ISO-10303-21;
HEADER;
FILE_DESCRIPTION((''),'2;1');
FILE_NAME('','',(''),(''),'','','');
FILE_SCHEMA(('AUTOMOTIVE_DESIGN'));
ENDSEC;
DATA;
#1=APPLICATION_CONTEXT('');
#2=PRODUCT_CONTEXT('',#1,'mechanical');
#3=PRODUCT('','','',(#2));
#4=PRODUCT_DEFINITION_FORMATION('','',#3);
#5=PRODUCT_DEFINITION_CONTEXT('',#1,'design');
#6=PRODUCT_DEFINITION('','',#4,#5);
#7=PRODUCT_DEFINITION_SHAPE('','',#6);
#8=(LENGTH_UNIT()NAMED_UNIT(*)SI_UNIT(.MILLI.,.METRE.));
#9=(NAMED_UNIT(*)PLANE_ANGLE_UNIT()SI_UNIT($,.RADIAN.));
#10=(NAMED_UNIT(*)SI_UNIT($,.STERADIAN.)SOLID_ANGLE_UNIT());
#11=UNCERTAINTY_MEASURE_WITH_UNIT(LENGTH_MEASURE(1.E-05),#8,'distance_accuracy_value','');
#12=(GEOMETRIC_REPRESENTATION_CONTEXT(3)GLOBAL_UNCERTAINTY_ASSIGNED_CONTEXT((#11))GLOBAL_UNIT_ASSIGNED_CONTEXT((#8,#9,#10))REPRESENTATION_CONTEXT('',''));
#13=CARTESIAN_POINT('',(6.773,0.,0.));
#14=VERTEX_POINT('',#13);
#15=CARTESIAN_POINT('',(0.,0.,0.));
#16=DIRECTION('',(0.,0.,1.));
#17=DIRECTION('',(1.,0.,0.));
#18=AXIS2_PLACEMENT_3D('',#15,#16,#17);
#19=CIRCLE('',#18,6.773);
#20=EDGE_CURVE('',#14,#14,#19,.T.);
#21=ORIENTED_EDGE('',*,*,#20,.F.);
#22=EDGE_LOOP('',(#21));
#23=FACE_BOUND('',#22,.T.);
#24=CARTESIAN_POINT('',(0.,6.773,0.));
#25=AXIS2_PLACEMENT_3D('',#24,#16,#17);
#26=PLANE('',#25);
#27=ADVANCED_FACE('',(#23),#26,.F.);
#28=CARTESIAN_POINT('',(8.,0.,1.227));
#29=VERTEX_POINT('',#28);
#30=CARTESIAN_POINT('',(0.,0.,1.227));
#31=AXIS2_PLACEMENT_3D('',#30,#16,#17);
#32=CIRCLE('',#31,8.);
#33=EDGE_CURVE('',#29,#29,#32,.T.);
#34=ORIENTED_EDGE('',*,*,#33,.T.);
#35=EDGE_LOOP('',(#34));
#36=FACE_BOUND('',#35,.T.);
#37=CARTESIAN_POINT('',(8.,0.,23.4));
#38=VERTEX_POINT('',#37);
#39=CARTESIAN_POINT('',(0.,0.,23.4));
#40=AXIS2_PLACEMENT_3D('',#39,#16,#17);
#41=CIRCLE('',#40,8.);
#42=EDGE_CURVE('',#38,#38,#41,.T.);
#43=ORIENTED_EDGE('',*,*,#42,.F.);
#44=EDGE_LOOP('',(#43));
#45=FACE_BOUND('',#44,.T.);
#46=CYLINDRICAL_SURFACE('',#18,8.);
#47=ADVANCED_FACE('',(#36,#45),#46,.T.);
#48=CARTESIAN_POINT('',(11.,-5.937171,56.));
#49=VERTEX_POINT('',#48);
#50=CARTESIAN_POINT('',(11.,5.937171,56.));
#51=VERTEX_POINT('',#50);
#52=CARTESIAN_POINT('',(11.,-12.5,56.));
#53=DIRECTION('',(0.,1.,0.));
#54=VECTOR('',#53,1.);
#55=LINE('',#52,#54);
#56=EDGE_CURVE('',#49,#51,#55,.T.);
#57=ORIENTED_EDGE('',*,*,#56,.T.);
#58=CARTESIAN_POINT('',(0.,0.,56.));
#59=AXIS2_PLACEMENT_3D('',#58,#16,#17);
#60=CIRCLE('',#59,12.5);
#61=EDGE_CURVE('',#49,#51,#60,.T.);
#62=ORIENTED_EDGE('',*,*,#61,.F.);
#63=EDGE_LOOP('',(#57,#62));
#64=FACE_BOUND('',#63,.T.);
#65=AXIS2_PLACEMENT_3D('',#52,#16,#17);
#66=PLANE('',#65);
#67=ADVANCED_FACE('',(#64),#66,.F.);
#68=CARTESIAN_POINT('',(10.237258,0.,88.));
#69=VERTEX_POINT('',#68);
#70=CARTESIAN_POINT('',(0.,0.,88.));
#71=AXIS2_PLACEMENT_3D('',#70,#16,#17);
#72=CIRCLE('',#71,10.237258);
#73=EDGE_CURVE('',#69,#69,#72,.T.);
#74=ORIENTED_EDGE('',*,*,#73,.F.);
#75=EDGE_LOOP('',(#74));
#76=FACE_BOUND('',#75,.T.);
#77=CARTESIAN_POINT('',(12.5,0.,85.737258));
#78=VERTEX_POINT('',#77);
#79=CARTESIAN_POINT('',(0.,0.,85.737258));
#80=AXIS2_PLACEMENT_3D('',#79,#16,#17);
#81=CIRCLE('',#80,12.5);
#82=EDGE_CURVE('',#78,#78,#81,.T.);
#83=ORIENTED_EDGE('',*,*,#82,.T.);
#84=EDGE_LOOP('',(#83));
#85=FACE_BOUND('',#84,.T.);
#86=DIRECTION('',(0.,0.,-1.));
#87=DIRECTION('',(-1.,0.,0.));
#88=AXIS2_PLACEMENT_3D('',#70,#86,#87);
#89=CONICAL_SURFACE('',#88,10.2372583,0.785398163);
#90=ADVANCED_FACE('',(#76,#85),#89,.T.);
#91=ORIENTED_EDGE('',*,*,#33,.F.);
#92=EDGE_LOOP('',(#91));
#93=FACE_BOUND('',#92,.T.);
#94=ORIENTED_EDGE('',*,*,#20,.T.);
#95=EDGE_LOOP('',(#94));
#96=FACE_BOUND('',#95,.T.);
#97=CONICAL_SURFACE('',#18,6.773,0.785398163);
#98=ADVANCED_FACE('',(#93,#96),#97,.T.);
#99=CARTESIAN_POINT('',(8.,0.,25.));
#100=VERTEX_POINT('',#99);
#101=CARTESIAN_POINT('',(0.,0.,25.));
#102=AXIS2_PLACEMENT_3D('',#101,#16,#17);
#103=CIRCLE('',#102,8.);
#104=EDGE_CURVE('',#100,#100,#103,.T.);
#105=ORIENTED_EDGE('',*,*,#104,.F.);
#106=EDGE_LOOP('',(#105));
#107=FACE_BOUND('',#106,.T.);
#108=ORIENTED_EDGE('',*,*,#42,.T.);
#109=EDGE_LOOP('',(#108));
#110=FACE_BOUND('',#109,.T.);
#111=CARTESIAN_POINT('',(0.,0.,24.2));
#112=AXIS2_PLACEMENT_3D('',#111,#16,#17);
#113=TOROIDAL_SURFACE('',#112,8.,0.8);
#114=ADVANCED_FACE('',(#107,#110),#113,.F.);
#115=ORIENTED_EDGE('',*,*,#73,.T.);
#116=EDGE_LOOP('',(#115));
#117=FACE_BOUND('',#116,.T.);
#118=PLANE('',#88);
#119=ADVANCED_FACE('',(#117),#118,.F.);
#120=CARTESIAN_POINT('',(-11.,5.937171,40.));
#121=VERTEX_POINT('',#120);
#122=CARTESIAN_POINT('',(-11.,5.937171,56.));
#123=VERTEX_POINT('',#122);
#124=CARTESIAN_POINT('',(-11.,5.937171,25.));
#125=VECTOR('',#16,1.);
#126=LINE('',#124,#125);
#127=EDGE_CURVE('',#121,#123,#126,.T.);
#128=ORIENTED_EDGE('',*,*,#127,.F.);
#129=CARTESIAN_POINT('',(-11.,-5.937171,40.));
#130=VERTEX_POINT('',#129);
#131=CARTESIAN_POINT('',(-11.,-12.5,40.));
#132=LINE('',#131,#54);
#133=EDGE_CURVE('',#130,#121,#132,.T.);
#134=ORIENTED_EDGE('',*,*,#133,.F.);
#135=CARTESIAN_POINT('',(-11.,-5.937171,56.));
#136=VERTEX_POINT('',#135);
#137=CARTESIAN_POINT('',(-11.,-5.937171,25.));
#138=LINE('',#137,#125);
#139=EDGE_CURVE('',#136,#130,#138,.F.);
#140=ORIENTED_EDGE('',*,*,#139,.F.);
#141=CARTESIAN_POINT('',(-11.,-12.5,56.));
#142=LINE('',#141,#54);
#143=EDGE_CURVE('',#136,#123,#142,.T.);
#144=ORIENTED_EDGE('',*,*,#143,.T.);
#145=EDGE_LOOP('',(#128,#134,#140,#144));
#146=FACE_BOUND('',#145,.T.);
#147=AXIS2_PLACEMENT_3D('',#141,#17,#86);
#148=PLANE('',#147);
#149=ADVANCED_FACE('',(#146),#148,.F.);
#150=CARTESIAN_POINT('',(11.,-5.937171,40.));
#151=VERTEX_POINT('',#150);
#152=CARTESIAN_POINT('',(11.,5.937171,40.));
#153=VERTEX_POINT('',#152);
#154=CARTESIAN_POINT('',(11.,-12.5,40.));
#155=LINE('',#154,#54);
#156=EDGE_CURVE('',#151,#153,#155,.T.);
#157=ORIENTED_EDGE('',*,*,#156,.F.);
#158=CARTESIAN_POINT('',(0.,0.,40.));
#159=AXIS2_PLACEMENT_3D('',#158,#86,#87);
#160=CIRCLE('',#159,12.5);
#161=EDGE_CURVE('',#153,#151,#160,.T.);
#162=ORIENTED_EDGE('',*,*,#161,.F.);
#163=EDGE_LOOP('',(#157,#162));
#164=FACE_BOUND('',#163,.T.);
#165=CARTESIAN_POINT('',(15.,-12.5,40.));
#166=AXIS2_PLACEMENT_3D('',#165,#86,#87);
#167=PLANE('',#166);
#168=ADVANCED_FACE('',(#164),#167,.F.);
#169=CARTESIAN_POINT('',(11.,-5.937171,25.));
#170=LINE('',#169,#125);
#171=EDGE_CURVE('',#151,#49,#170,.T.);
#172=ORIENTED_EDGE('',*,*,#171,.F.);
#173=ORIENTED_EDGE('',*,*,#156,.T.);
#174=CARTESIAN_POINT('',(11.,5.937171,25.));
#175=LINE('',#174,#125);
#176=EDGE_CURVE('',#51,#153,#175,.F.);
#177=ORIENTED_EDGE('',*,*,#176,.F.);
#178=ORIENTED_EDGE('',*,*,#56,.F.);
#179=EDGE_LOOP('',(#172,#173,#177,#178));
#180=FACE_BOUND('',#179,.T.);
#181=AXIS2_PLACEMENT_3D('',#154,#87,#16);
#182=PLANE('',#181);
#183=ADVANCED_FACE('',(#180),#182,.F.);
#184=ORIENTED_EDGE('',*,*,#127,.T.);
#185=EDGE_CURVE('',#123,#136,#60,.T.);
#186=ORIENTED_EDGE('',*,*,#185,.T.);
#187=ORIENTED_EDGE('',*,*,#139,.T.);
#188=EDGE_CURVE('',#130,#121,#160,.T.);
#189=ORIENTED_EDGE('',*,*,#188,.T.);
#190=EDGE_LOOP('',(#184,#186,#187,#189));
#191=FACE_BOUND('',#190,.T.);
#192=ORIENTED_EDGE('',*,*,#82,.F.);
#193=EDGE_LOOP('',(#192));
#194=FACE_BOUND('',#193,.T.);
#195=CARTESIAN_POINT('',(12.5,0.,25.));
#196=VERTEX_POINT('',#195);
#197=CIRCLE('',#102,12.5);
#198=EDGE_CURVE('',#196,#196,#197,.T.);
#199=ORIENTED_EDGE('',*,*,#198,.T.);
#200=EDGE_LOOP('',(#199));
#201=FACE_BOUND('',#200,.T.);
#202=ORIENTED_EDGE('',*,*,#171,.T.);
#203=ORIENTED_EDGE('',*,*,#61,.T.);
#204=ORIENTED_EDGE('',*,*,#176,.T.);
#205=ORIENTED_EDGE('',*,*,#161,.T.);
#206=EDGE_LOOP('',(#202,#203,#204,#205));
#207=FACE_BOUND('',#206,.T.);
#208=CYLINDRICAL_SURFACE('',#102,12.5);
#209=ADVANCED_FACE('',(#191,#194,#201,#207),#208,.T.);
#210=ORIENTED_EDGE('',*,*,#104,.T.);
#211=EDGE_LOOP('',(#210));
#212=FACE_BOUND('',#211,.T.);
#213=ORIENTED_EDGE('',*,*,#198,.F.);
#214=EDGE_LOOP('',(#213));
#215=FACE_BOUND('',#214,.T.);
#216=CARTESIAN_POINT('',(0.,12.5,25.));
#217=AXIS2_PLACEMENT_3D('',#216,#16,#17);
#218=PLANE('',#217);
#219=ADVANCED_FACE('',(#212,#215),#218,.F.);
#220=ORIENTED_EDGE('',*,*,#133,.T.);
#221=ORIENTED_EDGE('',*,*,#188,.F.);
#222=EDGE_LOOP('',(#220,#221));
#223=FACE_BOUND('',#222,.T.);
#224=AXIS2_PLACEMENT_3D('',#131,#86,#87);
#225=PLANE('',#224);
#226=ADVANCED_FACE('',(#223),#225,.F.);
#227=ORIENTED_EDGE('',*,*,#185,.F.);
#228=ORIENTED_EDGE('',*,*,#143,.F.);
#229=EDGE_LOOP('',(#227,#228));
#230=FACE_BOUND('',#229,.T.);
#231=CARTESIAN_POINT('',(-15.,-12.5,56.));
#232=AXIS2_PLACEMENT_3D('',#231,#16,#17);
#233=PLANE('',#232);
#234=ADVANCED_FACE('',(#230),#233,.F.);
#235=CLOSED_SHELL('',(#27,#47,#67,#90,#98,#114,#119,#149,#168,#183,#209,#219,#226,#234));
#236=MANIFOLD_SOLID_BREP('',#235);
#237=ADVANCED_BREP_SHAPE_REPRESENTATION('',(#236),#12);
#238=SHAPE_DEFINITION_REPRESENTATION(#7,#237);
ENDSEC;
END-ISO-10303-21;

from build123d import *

# Parameters (mm, degrees)
SZKIC4_W                        = 63
SZKIC4_H                        = 12.5
WYTNIJ_WYCI_GNI_CIE1_DEPTH      = 12.5
WYTNIJ_WYCI_GNI_CIE1_DEPTH_BACK = 12.5
SZKIC1_W                        = 4
SZKIC1_H                        = 16
WYTNIJ_WYCI_GNI_CIE2_DEPTH      = 12.5
WYTNIJ_WYCI_GNI_CIE2_DEPTH_BACK = 12.5
SZKIC2_W                        = 4
SZKIC2_H                        = 16


with BuildPart() as part:
    # Szkic3 → Obrót1 (revolve)
    with BuildSketch(Plane(origin=(0, 0, 0), x_dir=(0, 0, -1), z_dir=(1, 0, 0))):
        Polygon((-25, 0), (-25, 8), (-1.227, 8), (0, 6.773), (0, 0), align=None)
    revolve(axis=Axis((0, 0, 0), (0, 0, 1)))

    # Szkic4 → Obrót2 (revolve)
    with BuildSketch(Plane(origin=(0, 0, 0), x_dir=(0, 0, -1), z_dir=(1, 0, 0))):
        with Locations((-56.5, 6.25)):
            Rectangle(SZKIC4_W, SZKIC4_H)
    revolve(axis=Axis((0, 0, 25), (0, 0, 1)))

    # Szkic5 → Wycięcie-obrót1 (revolve, cut)
    with BuildSketch(Plane(origin=(0, 0, 0), x_dir=(0, 0, -1), z_dir=(1, 0, 0))):
        Polygon((-88, 10.2372583), (-85.7372583, 12.5), (-88, 12.5), align=None)
    revolve(axis=Axis((0, 0, 25), (0, 0, 1)), mode=Mode.SUBTRACT)

    # Szkic6 → Wycięcie-obrót2 (revolve, cut)
    with BuildSketch(Plane(origin=(0, 0, 0), x_dir=(0, 0, -1), z_dir=(1, 0, 0))):
        with BuildLine():
            Line((-23.4, 8), (-25, 8))
            ThreePointArc((-25, 8), (-24.2, 7.2), (-23.4, 8))
        make_face()
    revolve(axis=Axis((0, 0, 0), (0, 0, 1)), mode=Mode.SUBTRACT)

    # Szkic1 → Wytnij-wyciągnięcie1 (cut, two sides: drawn at the far end of the back side and taken through both)
    with BuildSketch(Plane(origin=(0, 0, 0), x_dir=(1, 0, 0), z_dir=(0, 1, 0)).offset(-WYTNIJ_WYCI_GNI_CIE1_DEPTH_BACK)):
        with Locations((13, -48)):
            Rectangle(SZKIC1_W, SZKIC1_H)
    extrude(amount=WYTNIJ_WYCI_GNI_CIE1_DEPTH + WYTNIJ_WYCI_GNI_CIE1_DEPTH_BACK, mode=Mode.SUBTRACT)

    # Szkic2 → Wytnij-wyciągnięcie2 (cut, two sides: drawn at the far end of the back side and taken through both)
    with BuildSketch(Plane(origin=(0, 0, 0), x_dir=(1, 0, 0), z_dir=(0, 1, 0)).offset(-WYTNIJ_WYCI_GNI_CIE2_DEPTH_BACK)):
        with Locations((-13, -48)):
            Rectangle(SZKIC2_W, SZKIC2_H)
    extrude(amount=WYTNIJ_WYCI_GNI_CIE2_DEPTH + WYTNIJ_WYCI_GNI_CIE2_DEPTH_BACK, mode=Mode.SUBTRACT)


solid = part.part
